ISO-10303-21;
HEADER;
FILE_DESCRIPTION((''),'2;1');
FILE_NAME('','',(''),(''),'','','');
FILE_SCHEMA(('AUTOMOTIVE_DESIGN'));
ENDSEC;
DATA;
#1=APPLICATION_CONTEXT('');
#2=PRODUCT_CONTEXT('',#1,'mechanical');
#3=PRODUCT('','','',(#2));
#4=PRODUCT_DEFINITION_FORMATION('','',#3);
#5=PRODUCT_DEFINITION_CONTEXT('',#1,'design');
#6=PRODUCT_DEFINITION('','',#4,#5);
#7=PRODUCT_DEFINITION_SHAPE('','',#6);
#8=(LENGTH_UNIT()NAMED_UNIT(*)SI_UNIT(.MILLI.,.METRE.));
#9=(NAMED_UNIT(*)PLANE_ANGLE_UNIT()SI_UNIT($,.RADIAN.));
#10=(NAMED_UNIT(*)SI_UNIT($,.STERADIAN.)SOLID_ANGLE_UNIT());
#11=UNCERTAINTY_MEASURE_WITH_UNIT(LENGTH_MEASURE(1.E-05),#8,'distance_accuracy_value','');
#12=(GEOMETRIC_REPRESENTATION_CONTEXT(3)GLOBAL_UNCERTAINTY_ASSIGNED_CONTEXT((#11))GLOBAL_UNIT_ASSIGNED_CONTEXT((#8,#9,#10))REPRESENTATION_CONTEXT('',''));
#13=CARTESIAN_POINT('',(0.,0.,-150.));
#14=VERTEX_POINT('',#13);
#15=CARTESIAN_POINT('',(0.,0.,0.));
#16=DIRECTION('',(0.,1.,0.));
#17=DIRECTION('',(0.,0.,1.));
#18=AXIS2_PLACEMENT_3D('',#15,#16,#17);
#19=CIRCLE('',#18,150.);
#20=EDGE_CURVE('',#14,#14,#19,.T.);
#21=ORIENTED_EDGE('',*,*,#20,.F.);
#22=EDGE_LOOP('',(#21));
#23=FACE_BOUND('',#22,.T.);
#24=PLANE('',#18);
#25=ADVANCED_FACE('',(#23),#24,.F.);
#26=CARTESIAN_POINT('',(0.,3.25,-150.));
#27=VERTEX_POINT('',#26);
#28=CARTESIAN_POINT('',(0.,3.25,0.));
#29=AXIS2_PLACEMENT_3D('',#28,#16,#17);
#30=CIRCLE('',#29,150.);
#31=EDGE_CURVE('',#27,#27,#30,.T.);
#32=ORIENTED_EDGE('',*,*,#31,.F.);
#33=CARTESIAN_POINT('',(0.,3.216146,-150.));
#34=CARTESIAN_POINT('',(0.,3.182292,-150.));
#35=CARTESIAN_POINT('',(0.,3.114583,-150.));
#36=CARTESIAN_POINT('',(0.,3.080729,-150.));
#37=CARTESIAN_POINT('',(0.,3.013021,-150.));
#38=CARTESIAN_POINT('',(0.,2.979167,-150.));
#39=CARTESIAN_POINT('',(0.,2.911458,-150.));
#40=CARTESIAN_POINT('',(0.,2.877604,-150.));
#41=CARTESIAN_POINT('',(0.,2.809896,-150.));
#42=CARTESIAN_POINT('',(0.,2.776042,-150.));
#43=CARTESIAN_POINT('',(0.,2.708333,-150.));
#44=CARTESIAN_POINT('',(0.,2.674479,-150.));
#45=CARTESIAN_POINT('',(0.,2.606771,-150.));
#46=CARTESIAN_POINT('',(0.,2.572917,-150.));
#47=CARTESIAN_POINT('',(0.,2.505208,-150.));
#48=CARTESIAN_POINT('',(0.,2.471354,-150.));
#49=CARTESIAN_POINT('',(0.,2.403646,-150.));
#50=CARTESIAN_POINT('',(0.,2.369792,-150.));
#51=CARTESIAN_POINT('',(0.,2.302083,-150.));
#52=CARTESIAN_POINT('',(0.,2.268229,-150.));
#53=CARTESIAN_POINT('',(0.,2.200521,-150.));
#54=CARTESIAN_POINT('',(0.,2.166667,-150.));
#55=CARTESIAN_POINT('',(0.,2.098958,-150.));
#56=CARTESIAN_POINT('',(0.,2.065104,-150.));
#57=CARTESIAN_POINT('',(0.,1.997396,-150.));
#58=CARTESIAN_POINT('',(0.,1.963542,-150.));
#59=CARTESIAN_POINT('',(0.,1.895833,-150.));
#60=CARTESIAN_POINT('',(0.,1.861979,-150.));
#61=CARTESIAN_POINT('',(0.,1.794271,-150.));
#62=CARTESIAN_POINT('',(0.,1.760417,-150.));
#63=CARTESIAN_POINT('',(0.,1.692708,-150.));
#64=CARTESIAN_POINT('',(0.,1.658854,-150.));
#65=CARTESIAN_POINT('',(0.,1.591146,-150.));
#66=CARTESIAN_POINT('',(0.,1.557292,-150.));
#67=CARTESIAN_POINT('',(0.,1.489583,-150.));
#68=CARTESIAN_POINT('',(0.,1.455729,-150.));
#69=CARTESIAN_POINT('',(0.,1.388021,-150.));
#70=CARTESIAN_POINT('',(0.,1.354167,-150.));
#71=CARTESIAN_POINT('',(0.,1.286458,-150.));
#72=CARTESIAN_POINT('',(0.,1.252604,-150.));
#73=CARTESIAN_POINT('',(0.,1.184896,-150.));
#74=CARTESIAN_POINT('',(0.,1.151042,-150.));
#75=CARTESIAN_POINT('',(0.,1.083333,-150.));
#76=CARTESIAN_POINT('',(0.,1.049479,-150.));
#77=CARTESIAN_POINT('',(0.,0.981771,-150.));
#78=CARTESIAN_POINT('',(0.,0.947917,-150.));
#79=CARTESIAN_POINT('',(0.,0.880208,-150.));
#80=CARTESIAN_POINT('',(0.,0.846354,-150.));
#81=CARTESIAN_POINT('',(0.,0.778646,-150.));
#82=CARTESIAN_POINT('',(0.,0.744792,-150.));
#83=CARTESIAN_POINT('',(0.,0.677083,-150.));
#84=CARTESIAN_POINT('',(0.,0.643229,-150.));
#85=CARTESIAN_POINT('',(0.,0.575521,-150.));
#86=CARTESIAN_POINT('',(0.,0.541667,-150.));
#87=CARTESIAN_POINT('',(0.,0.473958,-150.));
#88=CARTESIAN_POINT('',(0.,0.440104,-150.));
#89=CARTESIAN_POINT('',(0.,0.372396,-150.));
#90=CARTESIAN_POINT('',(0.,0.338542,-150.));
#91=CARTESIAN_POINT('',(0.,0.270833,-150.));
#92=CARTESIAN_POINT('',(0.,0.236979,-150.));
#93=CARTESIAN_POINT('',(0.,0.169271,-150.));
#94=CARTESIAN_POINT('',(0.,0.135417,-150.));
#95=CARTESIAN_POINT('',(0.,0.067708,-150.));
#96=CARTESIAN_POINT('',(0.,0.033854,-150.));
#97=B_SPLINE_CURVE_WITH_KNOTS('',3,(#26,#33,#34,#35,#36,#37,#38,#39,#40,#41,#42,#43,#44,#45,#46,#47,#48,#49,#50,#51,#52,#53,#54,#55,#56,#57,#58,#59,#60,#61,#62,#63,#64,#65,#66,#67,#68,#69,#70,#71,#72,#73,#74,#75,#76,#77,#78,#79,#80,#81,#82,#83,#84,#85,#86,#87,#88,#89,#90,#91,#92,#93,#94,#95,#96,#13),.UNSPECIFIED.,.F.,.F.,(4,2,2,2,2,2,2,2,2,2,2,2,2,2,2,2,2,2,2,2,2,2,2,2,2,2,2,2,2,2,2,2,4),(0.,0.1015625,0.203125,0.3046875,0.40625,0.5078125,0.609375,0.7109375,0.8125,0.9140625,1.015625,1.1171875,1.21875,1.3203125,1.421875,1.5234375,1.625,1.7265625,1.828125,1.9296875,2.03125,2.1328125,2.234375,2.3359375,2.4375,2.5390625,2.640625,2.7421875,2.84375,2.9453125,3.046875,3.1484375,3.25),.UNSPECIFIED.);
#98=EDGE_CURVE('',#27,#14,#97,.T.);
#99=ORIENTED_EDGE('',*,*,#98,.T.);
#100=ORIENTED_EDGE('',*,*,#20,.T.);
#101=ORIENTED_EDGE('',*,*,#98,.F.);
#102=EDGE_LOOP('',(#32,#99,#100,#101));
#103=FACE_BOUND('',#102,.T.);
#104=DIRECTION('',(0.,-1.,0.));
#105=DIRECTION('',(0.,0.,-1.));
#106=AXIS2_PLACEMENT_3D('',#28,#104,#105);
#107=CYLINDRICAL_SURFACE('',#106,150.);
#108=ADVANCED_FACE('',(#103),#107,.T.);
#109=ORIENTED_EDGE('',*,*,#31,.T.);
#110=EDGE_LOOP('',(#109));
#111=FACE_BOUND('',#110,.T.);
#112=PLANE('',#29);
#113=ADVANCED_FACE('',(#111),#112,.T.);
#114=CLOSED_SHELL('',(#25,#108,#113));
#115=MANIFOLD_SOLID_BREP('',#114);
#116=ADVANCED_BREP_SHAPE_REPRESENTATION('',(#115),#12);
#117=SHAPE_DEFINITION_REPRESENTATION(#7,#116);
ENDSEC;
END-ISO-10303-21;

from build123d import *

# Parameters (mm, degrees)
SKETCH1_R           = 150
BOSS_EXTRUDE1_DEPTH = 3.25


with BuildPart() as part:
    # Sketch1 → Boss-Extrude1 (new body)
    with BuildSketch(Plane(origin=(0, 0, 0), x_dir=(1, 0, 0), z_dir=(0, 1, 0))):
        with Locations(Location((0, 0, 0), (0, 0, 90))):
            Circle(SKETCH1_R)
    extrude(amount=BOSS_EXTRUDE1_DEPTH)


solid = part.part
